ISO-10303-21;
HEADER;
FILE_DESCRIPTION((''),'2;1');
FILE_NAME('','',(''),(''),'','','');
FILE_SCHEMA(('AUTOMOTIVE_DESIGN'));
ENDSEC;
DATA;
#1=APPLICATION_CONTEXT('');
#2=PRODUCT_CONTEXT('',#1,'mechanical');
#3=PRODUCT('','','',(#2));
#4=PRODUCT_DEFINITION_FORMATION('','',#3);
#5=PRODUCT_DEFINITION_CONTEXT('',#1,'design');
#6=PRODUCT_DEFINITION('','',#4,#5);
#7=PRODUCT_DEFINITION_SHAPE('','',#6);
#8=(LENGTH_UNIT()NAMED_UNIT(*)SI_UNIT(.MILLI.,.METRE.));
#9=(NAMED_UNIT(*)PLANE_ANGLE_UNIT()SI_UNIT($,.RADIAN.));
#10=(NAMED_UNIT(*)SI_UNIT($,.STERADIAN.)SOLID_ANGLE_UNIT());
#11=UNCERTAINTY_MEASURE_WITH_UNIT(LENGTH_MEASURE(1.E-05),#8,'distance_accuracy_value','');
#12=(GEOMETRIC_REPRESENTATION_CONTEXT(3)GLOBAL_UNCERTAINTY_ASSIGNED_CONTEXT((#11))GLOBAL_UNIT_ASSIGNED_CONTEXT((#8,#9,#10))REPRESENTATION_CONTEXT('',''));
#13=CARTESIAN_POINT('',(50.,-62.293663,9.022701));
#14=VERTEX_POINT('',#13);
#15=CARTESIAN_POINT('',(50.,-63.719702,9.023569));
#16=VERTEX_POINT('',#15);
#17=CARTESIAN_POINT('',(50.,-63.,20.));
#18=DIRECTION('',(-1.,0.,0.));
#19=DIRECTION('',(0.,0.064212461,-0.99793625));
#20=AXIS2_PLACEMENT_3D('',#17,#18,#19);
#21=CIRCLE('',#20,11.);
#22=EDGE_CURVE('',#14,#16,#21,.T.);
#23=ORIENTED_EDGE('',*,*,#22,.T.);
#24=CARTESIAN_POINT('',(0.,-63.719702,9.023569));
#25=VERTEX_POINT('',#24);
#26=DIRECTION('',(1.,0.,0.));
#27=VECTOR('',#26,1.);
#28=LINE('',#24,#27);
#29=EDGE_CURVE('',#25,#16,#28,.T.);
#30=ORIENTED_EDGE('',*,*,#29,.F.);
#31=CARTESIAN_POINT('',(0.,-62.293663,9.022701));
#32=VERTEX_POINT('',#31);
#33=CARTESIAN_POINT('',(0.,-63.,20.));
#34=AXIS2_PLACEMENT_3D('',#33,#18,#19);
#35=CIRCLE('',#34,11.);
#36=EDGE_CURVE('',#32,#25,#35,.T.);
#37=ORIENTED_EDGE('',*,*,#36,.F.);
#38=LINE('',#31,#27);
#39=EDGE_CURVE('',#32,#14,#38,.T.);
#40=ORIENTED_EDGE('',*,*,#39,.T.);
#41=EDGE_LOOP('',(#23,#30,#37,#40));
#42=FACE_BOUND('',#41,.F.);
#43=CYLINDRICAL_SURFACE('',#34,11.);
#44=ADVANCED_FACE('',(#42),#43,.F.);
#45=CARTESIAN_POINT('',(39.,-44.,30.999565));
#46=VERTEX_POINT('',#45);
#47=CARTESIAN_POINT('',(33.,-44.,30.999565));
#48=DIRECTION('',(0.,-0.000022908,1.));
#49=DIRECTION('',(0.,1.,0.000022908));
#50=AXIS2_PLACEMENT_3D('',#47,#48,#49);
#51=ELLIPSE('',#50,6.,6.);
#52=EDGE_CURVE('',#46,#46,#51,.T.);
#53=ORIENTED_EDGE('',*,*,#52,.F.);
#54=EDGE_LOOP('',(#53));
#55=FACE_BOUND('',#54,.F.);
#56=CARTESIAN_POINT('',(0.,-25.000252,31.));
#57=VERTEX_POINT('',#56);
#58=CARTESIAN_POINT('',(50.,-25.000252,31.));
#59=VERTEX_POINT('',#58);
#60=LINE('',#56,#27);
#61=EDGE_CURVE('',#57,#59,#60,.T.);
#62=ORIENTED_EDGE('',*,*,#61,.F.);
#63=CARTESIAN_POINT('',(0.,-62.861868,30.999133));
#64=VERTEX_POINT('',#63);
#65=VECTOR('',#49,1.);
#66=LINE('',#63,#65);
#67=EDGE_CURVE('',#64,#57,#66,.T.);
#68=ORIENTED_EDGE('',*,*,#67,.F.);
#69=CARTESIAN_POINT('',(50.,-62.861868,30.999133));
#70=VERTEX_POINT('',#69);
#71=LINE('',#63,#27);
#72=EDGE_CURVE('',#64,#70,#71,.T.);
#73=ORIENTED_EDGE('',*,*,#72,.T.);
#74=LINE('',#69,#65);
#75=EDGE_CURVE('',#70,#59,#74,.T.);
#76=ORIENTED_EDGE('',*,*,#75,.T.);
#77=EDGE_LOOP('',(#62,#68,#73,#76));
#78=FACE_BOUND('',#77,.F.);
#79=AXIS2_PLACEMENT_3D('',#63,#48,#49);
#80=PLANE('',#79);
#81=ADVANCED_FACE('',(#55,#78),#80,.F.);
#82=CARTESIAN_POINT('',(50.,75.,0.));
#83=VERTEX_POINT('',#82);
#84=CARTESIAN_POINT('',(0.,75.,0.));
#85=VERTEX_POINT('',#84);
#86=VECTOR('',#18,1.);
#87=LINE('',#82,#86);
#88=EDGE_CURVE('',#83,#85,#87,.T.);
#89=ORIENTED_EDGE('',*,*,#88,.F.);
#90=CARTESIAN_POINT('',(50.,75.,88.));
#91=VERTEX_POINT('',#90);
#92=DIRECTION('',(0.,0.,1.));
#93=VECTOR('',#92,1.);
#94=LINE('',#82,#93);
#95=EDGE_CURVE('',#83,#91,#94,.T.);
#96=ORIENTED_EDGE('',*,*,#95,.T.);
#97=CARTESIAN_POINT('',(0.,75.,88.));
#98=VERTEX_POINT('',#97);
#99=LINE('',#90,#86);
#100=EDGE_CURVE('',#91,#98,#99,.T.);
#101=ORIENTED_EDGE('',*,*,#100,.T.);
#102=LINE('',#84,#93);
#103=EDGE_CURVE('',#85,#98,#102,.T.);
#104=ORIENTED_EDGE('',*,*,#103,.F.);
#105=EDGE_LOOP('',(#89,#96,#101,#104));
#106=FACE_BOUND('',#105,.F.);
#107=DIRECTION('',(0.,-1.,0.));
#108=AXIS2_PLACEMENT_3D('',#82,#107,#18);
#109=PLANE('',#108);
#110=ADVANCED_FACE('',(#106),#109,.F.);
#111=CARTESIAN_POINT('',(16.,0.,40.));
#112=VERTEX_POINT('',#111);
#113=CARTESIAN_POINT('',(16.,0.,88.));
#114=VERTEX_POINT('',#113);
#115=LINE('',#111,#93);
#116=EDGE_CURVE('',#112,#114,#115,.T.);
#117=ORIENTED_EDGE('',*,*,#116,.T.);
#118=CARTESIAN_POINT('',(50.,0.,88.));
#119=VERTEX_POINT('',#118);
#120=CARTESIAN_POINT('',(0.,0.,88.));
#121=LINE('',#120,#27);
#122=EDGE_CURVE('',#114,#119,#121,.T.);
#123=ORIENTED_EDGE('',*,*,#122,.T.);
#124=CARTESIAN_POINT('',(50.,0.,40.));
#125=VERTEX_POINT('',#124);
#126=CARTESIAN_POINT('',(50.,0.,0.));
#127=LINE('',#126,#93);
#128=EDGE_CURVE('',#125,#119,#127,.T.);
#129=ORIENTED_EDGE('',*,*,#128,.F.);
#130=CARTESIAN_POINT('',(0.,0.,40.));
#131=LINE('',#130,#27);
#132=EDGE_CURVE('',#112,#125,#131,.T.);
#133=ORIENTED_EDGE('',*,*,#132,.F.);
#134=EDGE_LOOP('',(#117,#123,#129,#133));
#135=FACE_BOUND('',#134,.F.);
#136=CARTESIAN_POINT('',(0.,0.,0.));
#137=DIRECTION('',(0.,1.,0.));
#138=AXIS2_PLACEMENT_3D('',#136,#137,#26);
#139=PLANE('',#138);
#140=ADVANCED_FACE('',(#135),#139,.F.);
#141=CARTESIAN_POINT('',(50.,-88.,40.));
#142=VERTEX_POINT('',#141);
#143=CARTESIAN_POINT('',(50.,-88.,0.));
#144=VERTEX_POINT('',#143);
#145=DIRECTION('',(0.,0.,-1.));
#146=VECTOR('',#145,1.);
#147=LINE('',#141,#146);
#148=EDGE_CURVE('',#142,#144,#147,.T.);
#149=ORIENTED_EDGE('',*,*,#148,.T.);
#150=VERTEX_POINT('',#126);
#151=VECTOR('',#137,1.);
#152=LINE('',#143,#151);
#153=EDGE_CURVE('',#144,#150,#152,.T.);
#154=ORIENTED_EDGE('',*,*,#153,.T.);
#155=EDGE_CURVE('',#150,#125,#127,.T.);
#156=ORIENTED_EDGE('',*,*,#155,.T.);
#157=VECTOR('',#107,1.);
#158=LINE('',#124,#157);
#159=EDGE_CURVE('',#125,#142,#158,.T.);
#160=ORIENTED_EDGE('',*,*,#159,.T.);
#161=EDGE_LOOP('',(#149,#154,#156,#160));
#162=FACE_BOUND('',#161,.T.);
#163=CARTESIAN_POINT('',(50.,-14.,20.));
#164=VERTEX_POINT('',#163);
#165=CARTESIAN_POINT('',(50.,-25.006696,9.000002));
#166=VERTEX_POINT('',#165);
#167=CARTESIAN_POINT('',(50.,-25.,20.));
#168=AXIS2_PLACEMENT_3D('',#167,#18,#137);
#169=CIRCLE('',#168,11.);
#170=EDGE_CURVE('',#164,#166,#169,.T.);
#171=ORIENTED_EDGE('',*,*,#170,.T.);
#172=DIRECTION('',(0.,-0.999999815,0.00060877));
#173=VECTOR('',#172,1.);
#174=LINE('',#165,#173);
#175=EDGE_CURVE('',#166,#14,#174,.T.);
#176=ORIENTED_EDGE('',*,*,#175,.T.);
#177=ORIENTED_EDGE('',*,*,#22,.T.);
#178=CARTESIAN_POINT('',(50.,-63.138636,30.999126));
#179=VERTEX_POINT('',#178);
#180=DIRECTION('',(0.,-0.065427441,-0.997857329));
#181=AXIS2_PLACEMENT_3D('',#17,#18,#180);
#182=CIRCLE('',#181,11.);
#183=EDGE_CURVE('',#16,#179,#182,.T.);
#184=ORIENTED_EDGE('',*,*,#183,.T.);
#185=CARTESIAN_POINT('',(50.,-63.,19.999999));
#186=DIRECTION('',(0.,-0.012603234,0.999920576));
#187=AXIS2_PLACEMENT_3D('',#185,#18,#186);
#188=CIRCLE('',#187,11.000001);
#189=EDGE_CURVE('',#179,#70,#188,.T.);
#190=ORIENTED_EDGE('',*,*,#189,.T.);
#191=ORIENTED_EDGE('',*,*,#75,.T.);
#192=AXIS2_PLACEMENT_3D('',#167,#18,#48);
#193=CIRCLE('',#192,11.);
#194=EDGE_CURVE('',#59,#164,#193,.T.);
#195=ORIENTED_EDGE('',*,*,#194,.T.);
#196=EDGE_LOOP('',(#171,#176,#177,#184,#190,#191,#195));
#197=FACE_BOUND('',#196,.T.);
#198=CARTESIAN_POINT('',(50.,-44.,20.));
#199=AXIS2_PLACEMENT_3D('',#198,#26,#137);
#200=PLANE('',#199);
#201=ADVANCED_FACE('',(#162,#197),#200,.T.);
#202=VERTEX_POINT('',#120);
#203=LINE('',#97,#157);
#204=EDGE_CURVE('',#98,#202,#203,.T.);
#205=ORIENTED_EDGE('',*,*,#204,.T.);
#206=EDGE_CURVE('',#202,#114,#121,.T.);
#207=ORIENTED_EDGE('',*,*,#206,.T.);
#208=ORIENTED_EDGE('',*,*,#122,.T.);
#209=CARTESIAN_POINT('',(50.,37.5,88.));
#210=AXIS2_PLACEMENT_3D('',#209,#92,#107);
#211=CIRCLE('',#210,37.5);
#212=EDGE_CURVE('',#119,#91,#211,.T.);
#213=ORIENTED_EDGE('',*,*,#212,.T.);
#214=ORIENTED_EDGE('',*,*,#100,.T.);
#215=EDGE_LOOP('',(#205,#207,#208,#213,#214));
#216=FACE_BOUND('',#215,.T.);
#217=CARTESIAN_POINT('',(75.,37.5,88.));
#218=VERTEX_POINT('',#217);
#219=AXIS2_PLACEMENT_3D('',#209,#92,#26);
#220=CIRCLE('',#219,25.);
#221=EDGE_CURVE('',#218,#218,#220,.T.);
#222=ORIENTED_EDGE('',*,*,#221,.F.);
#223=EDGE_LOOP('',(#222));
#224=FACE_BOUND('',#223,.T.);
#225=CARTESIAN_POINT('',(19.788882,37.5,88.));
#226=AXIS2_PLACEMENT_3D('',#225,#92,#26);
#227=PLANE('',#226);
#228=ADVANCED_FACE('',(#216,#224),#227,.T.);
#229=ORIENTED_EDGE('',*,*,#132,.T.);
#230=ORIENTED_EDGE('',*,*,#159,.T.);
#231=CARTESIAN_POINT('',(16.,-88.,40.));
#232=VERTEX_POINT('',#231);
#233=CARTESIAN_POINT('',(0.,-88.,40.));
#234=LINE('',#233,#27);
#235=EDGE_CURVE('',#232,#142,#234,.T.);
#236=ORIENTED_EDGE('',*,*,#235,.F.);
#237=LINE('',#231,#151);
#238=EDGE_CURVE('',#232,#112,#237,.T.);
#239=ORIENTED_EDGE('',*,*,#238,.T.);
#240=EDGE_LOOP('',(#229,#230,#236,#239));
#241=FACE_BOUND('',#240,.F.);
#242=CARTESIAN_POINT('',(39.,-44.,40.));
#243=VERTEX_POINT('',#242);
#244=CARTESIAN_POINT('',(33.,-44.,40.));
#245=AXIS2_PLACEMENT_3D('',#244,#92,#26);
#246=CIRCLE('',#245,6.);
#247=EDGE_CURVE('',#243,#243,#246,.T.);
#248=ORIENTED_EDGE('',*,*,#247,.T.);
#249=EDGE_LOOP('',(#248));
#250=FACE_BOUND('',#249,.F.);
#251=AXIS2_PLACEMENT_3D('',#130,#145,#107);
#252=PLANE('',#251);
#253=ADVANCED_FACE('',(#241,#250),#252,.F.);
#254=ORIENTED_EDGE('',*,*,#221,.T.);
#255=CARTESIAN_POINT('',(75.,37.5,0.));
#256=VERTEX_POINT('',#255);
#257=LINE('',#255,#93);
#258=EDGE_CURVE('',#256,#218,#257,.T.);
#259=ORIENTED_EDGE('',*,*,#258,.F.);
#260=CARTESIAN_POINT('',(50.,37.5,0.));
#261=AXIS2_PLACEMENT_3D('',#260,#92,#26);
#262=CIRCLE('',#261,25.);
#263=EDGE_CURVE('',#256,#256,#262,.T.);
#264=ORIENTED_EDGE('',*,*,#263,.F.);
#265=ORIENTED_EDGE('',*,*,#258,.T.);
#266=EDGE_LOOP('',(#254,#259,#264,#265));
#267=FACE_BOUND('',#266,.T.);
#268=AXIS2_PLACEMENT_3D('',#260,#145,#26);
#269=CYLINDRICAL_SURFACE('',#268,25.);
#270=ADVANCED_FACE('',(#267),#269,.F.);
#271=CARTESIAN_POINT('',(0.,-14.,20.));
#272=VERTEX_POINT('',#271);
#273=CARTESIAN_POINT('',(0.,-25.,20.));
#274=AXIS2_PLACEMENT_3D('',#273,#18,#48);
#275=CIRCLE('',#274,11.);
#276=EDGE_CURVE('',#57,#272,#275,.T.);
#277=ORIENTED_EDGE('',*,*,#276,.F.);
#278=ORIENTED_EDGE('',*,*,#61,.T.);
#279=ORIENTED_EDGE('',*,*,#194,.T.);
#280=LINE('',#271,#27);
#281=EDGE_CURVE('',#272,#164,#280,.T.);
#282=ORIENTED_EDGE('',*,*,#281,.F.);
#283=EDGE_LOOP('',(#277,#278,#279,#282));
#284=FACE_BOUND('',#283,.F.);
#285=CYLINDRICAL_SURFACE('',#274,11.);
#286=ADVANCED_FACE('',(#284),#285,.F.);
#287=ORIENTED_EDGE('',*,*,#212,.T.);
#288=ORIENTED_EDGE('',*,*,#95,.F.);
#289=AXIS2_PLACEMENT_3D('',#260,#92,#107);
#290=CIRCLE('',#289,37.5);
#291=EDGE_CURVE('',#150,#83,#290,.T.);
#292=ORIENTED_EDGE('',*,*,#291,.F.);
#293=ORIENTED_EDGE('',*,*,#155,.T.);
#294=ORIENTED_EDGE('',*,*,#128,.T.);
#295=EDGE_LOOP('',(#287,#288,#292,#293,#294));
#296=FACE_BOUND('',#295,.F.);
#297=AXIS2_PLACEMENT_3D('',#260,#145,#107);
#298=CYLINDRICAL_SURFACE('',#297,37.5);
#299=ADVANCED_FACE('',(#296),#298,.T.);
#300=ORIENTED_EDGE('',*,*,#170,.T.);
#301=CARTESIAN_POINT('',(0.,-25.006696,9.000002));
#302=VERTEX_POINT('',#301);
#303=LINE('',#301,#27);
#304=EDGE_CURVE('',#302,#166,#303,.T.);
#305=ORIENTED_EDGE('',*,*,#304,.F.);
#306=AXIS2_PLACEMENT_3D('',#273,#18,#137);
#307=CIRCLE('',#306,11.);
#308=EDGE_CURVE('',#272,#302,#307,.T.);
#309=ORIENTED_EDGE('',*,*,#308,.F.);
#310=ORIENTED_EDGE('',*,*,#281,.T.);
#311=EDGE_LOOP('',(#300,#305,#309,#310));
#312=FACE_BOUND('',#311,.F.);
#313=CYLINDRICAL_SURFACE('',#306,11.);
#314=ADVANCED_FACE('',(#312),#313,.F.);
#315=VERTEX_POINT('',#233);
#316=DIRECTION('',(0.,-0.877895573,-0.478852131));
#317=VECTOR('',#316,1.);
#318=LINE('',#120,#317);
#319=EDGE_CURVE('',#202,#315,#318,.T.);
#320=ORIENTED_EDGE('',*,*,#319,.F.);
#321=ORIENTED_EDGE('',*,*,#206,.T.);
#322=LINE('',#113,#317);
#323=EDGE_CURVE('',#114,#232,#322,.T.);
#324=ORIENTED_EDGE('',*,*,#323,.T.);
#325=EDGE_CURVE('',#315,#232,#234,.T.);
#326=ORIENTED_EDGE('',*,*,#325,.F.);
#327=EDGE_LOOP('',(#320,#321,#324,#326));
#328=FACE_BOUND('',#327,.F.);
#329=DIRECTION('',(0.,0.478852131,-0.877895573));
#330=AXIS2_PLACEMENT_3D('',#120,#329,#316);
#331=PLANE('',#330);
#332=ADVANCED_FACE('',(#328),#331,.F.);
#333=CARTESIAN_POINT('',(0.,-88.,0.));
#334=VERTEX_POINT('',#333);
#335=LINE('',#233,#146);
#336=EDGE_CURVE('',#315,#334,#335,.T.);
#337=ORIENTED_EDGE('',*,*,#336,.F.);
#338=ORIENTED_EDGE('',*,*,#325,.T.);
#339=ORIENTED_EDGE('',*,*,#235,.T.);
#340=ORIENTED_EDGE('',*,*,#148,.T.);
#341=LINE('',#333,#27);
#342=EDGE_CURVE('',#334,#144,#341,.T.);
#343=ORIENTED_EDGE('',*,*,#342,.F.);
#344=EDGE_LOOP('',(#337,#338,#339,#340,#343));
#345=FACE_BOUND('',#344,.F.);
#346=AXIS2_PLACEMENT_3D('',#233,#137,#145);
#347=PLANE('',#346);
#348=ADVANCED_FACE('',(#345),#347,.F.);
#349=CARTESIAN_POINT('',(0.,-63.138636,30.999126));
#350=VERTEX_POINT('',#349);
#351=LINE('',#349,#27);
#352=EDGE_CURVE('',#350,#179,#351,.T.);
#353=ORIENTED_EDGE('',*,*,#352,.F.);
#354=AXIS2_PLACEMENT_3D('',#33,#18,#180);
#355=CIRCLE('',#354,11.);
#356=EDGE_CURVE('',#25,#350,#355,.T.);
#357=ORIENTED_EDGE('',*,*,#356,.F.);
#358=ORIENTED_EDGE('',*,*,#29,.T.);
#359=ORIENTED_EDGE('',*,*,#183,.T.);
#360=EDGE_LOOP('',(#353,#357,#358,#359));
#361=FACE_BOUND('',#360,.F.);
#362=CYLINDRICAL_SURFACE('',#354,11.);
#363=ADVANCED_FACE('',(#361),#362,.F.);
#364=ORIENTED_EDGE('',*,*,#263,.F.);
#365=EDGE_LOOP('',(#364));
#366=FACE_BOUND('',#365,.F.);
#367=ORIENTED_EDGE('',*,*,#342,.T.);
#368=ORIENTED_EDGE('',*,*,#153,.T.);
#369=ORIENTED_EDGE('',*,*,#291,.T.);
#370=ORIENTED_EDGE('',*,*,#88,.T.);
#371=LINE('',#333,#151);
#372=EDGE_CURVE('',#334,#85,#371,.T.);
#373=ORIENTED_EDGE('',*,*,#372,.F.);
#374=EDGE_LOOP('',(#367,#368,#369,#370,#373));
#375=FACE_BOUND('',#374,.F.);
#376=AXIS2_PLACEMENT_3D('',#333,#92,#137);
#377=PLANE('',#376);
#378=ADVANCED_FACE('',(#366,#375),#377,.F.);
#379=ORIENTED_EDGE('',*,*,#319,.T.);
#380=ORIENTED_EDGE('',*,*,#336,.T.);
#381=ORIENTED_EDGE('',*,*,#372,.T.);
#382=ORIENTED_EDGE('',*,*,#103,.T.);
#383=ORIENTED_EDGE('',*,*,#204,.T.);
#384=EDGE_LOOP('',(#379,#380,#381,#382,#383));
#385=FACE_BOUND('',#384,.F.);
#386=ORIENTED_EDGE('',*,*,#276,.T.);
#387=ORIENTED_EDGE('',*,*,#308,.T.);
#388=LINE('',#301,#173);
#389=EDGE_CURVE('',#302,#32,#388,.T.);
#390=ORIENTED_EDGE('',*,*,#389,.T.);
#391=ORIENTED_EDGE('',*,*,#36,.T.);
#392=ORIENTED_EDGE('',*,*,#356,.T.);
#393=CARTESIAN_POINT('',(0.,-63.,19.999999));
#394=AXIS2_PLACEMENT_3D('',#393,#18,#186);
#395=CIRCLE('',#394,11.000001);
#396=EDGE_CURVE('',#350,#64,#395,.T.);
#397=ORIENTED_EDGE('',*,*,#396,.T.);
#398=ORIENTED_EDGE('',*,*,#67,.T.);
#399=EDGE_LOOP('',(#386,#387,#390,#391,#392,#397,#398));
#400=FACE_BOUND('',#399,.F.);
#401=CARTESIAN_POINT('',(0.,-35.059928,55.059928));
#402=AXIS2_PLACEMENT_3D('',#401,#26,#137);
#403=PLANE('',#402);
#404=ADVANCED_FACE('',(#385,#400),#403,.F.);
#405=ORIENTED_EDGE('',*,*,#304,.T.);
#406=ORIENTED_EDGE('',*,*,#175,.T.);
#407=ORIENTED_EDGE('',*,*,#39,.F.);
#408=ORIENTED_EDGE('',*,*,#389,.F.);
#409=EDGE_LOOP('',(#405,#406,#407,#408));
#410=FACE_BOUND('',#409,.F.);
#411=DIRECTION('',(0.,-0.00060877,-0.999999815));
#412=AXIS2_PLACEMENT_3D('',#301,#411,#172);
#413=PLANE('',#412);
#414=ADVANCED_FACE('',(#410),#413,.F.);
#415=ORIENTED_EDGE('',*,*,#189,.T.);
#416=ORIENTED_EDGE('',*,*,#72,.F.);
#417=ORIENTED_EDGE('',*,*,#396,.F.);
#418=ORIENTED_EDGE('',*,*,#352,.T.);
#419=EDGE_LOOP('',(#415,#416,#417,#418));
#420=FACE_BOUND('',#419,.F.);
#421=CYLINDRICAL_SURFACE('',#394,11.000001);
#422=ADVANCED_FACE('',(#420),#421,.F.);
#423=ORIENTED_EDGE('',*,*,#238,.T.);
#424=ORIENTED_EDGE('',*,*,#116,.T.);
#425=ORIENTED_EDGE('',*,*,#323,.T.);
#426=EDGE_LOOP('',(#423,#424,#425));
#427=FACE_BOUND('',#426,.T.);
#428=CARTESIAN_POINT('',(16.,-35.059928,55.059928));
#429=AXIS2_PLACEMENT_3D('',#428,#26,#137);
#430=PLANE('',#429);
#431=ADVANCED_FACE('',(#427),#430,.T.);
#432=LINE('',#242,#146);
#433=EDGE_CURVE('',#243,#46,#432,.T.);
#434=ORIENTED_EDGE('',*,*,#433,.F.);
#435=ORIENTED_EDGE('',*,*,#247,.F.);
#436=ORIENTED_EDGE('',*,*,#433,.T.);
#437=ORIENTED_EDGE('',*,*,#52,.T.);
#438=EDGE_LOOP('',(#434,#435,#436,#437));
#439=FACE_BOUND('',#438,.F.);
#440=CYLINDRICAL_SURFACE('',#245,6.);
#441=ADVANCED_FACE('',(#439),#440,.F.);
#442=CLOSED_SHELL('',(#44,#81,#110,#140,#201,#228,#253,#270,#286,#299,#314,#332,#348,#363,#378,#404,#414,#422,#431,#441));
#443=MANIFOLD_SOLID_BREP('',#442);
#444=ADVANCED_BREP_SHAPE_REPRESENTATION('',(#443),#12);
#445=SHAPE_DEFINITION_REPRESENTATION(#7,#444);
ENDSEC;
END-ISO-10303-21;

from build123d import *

# Parameters (mm, degrees)
F0_R     = 25
F1_DEPTH = 88
F3_DEPTH = 50
F5_DEPTH = 16
F6_R     = 6
F7_DEPTH = 9.001572688


with BuildPart() as f1:
    # F0 (on Top) → F1 (new body)
    with BuildSketch(Plane.XY):
        with BuildLine():
            Line((0, 75), (0, 0))
            Line((0, 0), (50, 0))
            ThreePointArc((50, 0), (12.5, 37.5), (50, 75))
            Line((50, 75), (0, 75))
        make_face()
        with BuildLine():
            ThreePointArc((50, 75), (12.5, 37.5), (50, 0))
            ThreePointArc((50, 0), (76.5165042945, 10.9834957055), (87.5, 37.5))
            ThreePointArc((87.5, 37.5), (76.5165042945, 64.0165042945), (50, 75))
        make_face()
        with Locations((50, 37.5)):
            Circle(F0_R, mode=Mode.SUBTRACT)
    extrude(amount=F1_DEPTH)

    # F2 (on Right) → F3 (join)
    with BuildSketch(Plane.YZ):
        Polygon((-88, 0), (0, 0), (0, 20), (0, 40), (-88, 40), align=None)
        with BuildLine():
            ThreePointArc((-25.000251984, 30.9999999971), (-17.2219144973, 27.7782636823), (-14, 20))
            ThreePointArc((-14, 20), (-17.2241933288, 12.2194582058), (-25.0066964749, 9.0000020383))
            Line((-25.0066964749, 9.0000020383), (-62.293662929, 9.0227012457))
            ThreePointArc((-62.293662929, 9.0227012457), (-63.0066964749, 9.0000020383), (-63.7197018551, 9.0235693762))
            ThreePointArc((-63.7197018551, 9.0235693762), (-73.9961566797, 20.2907546668), (-63.1386355855, 30.9991263369))
            ThreePointArc((-63.1386355855, 30.9991263369), (-63.000251984, 30.9999999971), (-62.8618683426, 30.999132677))
            Line((-62.8618683426, 30.999132677), (-25.000251984, 30.9999999971))
        make_face(mode=Mode.SUBTRACT)
    extrude(amount=F3_DEPTH)

    # F4 (on Right) → F5 (join)
    with BuildSketch(Plane.YZ):
        Polygon((-88, 40), (0, 40), (0, 88), align=None)
    extrude(amount=F5_DEPTH)

    # F6 (on face) → F7 (cut, through all)
    with BuildSketch(Plane.XY.offset(40)):
        with Locations((33, -44)):
            Circle(F6_R)
    extrude(amount=-F7_DEPTH, mode=Mode.SUBTRACT)


solid = f1.part
